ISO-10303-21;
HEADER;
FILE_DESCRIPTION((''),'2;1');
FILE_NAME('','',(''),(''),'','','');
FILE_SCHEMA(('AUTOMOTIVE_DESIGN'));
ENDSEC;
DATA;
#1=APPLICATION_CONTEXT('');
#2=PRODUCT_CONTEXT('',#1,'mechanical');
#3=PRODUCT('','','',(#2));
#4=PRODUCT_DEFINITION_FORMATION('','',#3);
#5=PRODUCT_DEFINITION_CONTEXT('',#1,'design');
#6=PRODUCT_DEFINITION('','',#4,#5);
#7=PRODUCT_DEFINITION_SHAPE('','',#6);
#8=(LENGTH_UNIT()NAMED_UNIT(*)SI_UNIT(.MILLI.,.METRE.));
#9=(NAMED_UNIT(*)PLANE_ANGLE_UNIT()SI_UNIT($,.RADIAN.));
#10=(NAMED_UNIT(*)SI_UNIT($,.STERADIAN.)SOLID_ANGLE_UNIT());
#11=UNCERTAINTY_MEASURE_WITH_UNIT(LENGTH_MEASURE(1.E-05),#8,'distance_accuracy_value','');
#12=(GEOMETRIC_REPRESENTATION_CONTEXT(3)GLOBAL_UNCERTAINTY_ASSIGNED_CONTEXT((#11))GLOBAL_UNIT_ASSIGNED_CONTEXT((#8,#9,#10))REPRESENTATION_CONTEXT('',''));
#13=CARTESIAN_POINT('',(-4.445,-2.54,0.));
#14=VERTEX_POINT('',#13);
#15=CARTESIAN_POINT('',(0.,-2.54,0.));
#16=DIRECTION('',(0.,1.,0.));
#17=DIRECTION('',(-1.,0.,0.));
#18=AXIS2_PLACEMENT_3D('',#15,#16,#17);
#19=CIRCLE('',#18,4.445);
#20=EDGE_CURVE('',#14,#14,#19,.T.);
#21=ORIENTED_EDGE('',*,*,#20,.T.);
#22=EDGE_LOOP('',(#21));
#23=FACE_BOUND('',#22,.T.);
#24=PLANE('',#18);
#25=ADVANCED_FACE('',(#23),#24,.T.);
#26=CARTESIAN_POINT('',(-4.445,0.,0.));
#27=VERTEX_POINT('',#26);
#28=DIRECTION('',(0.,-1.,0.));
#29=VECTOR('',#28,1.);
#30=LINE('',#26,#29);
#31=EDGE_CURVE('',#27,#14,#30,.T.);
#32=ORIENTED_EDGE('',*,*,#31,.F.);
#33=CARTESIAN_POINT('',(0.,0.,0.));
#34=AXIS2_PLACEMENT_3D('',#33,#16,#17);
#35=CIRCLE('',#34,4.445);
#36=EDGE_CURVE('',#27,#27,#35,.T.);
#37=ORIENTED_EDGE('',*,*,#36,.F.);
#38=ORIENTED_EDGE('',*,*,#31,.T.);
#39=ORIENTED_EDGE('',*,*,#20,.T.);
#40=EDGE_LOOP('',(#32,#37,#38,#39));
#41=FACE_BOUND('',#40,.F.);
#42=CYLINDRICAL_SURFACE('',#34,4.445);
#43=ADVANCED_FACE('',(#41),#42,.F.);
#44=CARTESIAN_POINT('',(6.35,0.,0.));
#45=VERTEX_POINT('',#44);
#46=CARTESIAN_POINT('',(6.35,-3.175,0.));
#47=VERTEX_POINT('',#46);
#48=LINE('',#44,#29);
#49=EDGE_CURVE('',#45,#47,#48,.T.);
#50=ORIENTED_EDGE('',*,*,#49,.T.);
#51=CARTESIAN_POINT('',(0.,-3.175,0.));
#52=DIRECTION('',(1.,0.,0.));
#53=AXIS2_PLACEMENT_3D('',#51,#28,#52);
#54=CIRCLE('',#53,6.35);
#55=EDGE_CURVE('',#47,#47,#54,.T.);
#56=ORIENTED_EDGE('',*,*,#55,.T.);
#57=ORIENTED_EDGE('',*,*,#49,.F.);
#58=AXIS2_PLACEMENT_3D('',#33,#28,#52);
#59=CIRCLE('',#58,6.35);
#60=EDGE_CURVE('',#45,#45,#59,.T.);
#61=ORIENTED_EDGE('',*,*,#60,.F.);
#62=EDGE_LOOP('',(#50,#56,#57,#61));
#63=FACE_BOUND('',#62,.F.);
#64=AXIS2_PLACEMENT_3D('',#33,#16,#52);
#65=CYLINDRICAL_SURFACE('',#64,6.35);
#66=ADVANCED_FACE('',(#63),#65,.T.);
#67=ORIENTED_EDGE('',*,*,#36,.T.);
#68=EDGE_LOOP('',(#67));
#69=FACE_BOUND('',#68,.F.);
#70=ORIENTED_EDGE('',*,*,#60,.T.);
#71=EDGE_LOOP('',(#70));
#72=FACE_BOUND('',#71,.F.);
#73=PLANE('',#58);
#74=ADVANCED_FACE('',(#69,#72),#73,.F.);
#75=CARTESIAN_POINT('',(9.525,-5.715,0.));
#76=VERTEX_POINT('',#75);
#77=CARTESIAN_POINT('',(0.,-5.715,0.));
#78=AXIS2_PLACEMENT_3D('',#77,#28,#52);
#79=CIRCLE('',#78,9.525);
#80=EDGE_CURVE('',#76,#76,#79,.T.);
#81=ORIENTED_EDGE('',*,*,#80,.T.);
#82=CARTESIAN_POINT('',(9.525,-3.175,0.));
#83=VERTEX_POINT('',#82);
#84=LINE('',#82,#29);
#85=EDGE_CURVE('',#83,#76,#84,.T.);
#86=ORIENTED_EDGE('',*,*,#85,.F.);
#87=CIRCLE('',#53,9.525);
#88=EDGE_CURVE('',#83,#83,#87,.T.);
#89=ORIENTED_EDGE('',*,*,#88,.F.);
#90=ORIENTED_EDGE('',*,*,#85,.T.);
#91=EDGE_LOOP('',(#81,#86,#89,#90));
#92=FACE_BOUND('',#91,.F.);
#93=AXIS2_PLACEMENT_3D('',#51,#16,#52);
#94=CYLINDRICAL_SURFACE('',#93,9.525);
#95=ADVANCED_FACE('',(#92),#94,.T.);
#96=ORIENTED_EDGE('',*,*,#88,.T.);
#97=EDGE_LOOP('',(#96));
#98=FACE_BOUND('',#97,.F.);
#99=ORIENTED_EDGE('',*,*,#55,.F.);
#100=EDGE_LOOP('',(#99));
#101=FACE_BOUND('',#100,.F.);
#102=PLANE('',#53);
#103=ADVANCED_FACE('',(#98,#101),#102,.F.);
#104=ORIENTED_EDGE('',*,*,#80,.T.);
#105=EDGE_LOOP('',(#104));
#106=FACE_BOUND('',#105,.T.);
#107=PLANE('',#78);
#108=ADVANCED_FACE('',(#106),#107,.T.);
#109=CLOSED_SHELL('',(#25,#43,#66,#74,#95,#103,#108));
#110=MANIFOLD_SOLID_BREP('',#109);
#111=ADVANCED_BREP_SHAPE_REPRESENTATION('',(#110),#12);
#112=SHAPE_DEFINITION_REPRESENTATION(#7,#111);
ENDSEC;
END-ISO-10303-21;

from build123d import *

# Parameters (mm, degrees)
F0_R     = 6.35
F1_DEPTH = 3.175
F2_R     = 9.525
F2_R_2   = 6.35
F3_DEPTH = 2.54
F4_R     = 4.445
F5_DEPTH = 2.54


with BuildPart() as f1:
    # F0 (on Front) → F1 (new body)
    with BuildSketch(Plane.XZ):
        Circle(F0_R)
    extrude(amount=F1_DEPTH)

    # F2 (on face) → F3 (join)
    with BuildSketch(Plane.XZ.offset(3.175)):
        Circle(F2_R)
        Circle(F2_R_2, mode=Mode.SUBTRACT)
        Circle(F2_R_2)
    extrude(amount=F3_DEPTH)

    # F4 (on face) → F5 (cut)
    with BuildSketch(Plane(origin=(0, 0, 0), x_dir=(-1, 0, 0), z_dir=(0, 1, 0))):
        Circle(F4_R)
    extrude(amount=-F5_DEPTH, mode=Mode.SUBTRACT)


solid = f1.part
